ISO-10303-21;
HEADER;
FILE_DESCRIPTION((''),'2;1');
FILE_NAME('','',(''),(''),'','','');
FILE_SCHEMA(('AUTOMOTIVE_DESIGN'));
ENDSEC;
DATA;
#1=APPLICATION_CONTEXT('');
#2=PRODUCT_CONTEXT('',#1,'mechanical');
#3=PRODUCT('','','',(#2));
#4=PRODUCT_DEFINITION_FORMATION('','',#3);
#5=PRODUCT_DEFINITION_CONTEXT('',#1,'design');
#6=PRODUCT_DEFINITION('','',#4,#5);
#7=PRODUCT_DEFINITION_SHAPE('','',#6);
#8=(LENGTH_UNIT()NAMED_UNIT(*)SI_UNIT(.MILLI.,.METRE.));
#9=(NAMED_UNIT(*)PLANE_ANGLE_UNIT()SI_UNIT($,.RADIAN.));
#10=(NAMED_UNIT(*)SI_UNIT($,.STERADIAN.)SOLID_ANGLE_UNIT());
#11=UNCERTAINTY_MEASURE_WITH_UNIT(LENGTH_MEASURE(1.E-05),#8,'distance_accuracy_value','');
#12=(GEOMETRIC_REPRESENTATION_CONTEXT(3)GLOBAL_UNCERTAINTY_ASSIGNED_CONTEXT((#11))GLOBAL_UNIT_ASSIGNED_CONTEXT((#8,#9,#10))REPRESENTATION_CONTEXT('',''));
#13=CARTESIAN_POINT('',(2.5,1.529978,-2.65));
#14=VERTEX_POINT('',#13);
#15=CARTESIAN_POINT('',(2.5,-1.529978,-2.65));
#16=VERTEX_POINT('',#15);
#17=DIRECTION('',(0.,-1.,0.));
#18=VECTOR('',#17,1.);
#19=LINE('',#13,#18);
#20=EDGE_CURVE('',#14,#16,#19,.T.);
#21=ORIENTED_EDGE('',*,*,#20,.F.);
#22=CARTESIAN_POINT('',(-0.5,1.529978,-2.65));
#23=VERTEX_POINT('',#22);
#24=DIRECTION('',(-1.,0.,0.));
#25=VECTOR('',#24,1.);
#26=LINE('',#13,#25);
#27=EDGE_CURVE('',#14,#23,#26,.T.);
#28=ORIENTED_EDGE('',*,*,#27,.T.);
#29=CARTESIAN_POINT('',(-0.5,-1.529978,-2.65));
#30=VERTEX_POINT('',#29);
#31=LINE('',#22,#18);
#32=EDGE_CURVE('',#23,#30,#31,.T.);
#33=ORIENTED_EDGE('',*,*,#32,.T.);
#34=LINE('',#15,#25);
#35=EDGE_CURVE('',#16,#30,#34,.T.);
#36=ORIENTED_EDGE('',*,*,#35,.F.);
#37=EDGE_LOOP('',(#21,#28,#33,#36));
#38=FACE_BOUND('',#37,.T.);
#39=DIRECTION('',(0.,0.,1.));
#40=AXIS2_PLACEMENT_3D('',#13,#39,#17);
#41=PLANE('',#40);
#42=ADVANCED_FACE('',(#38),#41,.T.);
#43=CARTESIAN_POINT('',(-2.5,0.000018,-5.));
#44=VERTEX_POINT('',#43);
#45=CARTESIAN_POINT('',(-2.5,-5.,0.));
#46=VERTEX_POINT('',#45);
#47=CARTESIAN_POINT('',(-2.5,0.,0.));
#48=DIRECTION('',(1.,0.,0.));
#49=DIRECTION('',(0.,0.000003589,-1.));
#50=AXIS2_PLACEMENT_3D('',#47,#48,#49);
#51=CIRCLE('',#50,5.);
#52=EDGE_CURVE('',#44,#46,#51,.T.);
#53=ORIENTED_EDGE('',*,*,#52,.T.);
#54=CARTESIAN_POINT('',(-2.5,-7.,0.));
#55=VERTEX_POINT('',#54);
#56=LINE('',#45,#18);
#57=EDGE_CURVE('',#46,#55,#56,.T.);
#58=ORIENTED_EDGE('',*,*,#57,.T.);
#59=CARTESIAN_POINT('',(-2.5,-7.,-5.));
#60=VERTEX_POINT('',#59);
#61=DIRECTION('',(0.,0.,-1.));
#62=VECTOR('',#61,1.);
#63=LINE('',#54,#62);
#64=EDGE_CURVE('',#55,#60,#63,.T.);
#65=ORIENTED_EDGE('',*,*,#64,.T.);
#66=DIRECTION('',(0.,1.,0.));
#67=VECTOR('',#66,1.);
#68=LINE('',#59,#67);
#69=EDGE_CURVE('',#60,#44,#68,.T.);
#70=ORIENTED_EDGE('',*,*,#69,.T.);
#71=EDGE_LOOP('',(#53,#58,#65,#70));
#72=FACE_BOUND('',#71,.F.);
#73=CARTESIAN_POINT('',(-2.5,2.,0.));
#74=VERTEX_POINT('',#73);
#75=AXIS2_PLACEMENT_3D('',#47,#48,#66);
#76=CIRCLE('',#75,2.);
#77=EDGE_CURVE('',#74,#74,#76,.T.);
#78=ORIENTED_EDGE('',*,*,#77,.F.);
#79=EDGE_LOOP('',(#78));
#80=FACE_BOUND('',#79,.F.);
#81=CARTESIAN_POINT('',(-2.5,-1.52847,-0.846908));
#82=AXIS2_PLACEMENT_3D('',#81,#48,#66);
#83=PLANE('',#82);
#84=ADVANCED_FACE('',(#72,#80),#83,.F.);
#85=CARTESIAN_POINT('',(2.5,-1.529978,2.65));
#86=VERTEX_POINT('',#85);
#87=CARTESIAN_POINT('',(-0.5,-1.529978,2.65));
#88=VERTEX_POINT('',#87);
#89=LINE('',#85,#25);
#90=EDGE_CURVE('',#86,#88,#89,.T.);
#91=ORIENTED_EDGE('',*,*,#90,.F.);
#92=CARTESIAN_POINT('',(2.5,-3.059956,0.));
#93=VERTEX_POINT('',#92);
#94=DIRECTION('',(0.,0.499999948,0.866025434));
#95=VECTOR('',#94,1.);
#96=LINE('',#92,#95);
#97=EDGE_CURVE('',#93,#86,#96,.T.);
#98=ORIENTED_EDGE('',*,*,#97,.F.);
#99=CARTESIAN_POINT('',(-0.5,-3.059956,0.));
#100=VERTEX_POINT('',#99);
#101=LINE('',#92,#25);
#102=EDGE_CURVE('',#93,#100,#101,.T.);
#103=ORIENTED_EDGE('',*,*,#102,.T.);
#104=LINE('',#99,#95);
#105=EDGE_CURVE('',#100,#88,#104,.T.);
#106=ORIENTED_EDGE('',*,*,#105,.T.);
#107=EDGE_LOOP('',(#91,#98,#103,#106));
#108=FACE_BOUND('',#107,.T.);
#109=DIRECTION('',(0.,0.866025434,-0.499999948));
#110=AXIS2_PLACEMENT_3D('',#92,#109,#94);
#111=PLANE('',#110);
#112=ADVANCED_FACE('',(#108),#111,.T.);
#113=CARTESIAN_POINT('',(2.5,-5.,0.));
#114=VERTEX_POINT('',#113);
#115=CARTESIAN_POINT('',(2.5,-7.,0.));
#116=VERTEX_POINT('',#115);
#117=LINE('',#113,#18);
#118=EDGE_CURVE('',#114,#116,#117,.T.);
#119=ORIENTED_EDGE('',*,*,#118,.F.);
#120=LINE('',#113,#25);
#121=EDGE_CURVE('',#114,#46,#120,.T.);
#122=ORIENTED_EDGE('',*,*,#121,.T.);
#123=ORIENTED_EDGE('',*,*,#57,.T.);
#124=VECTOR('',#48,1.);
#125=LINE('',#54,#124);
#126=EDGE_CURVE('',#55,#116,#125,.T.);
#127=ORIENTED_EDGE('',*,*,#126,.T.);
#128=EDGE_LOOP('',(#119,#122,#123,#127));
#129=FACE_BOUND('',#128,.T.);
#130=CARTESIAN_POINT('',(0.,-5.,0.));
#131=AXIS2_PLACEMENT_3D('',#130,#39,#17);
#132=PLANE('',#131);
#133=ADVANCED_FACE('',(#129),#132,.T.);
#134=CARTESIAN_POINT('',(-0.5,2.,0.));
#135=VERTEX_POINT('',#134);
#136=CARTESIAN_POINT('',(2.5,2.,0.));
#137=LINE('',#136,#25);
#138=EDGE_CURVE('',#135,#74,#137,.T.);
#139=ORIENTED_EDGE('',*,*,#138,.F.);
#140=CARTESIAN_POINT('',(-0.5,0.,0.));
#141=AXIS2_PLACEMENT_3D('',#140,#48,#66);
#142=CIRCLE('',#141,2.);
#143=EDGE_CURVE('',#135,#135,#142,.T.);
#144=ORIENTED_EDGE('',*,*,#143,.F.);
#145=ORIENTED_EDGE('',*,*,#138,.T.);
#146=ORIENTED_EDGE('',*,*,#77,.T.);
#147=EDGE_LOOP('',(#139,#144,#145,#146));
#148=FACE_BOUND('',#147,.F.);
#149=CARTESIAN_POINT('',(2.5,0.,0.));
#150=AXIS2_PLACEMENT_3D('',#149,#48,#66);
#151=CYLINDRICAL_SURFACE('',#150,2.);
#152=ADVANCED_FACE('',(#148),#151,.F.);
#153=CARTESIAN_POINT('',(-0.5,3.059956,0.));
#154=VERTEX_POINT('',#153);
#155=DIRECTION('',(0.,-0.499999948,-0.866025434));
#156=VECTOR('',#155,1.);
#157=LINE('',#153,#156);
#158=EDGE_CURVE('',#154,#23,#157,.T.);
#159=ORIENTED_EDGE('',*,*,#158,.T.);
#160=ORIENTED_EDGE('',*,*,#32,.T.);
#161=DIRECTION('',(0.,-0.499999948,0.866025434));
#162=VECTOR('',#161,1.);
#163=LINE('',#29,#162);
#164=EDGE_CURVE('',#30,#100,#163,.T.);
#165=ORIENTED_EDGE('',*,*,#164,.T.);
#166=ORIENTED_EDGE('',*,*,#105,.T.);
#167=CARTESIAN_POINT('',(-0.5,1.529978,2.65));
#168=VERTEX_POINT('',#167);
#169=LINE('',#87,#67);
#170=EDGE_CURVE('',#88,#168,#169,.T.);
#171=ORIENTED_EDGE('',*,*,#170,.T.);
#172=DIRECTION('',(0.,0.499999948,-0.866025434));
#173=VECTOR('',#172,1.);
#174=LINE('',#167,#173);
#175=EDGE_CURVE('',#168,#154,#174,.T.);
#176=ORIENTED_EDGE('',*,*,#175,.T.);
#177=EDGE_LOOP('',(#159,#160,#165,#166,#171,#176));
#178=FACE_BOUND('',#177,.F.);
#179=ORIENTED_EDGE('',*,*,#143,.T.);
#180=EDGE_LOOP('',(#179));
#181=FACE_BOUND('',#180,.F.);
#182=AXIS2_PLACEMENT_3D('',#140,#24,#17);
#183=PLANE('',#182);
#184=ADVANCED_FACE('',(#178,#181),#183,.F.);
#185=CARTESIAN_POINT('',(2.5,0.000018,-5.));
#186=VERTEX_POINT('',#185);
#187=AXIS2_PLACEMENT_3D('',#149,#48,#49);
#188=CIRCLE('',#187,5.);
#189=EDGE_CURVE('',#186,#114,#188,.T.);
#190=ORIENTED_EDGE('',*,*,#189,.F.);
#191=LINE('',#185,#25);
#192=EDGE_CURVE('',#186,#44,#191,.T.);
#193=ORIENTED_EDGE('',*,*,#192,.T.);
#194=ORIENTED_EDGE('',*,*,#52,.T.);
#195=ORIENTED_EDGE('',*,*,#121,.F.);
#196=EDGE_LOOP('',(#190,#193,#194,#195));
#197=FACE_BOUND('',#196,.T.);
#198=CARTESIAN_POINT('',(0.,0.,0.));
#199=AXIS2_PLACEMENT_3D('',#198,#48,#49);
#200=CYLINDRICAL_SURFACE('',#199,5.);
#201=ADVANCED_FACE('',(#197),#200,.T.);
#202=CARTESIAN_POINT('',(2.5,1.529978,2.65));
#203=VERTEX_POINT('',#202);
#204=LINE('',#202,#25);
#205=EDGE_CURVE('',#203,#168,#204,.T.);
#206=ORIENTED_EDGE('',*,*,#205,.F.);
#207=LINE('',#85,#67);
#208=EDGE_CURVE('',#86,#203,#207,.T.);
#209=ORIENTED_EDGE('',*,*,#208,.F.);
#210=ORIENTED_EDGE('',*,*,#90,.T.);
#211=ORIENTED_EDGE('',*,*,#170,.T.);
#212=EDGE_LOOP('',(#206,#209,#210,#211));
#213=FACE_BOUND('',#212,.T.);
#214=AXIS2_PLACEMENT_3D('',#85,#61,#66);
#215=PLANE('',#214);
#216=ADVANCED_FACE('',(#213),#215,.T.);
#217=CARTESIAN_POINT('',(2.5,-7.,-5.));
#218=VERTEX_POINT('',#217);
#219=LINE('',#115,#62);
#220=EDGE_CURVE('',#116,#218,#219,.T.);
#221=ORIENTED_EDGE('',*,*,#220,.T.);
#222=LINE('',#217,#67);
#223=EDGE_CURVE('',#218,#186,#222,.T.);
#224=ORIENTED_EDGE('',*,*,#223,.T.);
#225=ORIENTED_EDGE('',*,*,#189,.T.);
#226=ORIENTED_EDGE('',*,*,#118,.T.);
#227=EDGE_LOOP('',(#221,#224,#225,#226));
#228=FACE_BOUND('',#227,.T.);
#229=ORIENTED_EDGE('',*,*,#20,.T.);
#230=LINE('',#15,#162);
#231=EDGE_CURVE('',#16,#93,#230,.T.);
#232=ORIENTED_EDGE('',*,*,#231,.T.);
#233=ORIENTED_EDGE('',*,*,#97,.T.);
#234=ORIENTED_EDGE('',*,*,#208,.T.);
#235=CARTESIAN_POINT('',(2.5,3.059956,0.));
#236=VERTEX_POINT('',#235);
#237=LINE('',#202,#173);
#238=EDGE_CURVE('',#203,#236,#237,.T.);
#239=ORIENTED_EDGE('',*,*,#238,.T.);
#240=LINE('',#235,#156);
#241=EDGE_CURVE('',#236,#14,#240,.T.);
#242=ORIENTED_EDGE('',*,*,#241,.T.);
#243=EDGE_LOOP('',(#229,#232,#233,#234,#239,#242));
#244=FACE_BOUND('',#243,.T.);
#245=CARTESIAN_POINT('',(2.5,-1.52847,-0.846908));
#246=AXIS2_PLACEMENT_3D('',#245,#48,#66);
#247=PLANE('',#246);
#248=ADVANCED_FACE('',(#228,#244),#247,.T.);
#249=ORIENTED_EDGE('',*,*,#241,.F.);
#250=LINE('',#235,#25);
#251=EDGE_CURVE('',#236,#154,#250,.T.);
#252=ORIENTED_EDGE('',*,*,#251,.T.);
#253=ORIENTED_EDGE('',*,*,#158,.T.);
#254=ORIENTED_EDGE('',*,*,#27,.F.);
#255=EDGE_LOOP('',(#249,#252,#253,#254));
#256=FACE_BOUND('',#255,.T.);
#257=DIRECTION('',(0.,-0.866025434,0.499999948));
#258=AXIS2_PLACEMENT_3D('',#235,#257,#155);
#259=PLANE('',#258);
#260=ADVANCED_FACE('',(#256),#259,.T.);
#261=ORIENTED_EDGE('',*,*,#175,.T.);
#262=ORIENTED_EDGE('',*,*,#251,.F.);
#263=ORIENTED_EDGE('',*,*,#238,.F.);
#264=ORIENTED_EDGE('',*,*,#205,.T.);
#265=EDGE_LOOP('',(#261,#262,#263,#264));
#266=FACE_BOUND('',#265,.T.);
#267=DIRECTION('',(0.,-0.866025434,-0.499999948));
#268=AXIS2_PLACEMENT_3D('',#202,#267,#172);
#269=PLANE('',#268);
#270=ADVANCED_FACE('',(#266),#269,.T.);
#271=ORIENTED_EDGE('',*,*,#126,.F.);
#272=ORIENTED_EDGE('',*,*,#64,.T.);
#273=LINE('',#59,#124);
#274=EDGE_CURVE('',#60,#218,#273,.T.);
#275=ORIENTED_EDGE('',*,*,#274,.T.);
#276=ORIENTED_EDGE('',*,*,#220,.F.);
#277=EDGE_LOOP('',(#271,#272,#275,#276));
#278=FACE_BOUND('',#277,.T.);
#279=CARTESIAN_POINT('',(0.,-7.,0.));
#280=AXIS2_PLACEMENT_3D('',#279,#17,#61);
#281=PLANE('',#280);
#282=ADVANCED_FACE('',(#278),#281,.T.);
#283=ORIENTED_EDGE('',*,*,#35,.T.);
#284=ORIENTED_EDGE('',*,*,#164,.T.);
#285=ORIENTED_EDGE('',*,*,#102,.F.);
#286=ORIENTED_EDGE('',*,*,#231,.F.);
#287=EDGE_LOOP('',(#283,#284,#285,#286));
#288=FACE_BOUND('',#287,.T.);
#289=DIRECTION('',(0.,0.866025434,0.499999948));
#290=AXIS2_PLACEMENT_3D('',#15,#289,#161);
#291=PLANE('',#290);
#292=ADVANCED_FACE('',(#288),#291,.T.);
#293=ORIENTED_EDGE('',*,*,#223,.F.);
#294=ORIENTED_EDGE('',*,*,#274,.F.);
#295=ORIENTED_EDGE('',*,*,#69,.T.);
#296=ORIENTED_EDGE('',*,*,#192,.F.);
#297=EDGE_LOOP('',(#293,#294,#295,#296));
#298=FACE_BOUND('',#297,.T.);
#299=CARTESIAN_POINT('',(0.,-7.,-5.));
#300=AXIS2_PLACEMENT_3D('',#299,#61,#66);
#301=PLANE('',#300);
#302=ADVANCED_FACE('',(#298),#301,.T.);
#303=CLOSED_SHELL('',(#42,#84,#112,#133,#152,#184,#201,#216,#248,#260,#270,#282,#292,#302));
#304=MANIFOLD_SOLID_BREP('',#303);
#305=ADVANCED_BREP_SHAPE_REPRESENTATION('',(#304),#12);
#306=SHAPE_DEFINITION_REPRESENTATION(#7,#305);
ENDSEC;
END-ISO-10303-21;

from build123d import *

# Parameters (mm, degrees)
PAD001004_DEPTH    = 2.5
SKETCH006_R        = 2
POCKET003_DEPTH    = 5.001
POCKET003003_DEPTH = 3


with BuildPart() as part:
    # Sketch005 → Pad001004 (new body, symmetric)
    with BuildSketch(Plane.YZ):
        with BuildLine():
            Line((-5, 0), (-7, 0))
            Line((-7, 0), (-7, -5))
            Line((-7, -5), (1.8e-05, -5))
            ThreePointArc((1.8e-05, -5), (3.535528, 3.53554), (-5, 0))
        make_face()
    extrude(amount=PAD001004_DEPTH, both=True)

    # Sketch006 → Pocket003 (cut, through all)
    with BuildSketch(Plane.YZ.offset(2.5)):
        Circle(SKETCH006_R)
    extrude(amount=-POCKET003_DEPTH, mode=Mode.SUBTRACT)

    # Sketch007 → Pocket003003 (cut)
    with BuildSketch(Plane.YZ.offset(2.5)):
        Polygon((-3.059956, 0), (-1.529978, 2.65), (1.529978, 2.65), (3.059956, 0), (1.529978, -2.65), (-1.529978, -2.65), align=None)
    extrude(amount=-POCKET003003_DEPTH, mode=Mode.SUBTRACT)


solid = part.part
